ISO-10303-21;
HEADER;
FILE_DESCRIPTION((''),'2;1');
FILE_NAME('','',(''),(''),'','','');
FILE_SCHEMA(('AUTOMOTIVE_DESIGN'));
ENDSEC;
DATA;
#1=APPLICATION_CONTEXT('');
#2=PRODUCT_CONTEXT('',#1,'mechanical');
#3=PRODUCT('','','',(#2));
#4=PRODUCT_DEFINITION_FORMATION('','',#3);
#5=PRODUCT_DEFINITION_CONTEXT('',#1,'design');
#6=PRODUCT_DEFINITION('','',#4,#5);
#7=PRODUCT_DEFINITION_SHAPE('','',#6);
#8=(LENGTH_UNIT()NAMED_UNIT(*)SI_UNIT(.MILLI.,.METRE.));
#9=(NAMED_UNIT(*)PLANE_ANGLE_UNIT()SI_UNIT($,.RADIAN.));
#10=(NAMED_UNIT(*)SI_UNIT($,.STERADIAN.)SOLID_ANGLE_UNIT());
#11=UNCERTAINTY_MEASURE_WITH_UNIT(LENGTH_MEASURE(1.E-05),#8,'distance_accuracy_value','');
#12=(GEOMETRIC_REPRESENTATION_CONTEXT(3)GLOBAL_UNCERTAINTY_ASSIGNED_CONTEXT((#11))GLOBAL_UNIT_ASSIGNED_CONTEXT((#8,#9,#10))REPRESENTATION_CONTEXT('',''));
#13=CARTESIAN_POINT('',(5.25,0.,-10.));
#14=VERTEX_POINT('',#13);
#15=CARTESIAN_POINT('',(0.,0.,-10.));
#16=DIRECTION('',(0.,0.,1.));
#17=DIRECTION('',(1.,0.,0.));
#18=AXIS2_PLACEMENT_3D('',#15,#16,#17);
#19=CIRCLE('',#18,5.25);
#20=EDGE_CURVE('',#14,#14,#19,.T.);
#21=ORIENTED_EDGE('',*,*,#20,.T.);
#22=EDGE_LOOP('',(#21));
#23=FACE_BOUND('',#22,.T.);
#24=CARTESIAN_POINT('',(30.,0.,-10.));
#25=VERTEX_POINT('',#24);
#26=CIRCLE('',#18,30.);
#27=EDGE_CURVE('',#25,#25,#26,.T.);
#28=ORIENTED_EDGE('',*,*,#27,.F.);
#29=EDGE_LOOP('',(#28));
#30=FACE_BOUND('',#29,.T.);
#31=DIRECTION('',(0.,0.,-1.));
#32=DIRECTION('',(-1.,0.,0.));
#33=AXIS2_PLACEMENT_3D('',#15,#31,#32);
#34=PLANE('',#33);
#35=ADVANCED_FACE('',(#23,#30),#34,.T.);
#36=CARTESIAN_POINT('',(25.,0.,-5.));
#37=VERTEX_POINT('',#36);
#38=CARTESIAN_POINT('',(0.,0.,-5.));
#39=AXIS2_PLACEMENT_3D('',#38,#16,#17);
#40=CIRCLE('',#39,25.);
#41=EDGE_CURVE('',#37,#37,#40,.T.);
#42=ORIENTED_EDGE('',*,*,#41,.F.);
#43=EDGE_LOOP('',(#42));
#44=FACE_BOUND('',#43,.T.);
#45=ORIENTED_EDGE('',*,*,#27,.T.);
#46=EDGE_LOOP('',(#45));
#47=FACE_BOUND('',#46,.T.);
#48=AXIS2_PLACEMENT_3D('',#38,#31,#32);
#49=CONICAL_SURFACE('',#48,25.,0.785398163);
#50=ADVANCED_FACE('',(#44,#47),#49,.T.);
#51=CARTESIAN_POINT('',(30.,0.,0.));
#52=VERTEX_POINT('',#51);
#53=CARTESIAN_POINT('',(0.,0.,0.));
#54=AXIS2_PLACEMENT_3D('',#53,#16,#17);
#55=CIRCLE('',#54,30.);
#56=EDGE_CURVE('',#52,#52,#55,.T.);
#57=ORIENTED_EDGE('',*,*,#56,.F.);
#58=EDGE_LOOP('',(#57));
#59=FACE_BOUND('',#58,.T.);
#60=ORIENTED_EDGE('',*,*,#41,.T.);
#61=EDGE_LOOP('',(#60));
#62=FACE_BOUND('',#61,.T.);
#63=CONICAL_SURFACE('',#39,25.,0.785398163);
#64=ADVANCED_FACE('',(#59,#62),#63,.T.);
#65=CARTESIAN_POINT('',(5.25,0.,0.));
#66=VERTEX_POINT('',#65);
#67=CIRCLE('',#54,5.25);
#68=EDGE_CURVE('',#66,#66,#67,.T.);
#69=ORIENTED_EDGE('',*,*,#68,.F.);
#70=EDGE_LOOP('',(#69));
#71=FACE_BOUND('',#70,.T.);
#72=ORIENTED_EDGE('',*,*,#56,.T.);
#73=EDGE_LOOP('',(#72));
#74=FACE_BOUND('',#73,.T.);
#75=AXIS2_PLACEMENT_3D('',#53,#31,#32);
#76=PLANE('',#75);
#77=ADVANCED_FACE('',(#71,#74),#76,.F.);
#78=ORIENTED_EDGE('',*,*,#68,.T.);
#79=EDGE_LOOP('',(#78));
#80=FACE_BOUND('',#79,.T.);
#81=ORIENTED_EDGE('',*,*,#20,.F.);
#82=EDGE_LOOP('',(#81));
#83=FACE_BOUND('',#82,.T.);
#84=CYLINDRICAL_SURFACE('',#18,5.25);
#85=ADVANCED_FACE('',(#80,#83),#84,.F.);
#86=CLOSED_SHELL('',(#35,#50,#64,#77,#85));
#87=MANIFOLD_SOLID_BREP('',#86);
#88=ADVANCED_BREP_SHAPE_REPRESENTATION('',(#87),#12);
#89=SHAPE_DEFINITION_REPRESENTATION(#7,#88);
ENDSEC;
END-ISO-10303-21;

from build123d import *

# Parameters (mm, degrees)
SKETCH2_R          = 5.25
CUT_EXTRUDE1_DEPTH = 44.588989435


with BuildPart() as part:
    # Sketch1 → Revolve1 (revolve)
    with BuildSketch(Plane(origin=(0, 0, 0), x_dir=(1, 0, 0), z_dir=(0, 1, 0))):
        Polygon((-30, 0), (0, 0), (0, 10), (-30, 10), (-25, 5), align=None)
    revolve(axis=Axis((0, 0, 0), (0, 0, -1)))

    # Sketch2 → Cut-Extrude1 (cut, through all)
    with BuildSketch(Plane.XY):
        Circle(SKETCH2_R)
    extrude(amount=-CUT_EXTRUDE1_DEPTH, mode=Mode.SUBTRACT)


solid = part.part
